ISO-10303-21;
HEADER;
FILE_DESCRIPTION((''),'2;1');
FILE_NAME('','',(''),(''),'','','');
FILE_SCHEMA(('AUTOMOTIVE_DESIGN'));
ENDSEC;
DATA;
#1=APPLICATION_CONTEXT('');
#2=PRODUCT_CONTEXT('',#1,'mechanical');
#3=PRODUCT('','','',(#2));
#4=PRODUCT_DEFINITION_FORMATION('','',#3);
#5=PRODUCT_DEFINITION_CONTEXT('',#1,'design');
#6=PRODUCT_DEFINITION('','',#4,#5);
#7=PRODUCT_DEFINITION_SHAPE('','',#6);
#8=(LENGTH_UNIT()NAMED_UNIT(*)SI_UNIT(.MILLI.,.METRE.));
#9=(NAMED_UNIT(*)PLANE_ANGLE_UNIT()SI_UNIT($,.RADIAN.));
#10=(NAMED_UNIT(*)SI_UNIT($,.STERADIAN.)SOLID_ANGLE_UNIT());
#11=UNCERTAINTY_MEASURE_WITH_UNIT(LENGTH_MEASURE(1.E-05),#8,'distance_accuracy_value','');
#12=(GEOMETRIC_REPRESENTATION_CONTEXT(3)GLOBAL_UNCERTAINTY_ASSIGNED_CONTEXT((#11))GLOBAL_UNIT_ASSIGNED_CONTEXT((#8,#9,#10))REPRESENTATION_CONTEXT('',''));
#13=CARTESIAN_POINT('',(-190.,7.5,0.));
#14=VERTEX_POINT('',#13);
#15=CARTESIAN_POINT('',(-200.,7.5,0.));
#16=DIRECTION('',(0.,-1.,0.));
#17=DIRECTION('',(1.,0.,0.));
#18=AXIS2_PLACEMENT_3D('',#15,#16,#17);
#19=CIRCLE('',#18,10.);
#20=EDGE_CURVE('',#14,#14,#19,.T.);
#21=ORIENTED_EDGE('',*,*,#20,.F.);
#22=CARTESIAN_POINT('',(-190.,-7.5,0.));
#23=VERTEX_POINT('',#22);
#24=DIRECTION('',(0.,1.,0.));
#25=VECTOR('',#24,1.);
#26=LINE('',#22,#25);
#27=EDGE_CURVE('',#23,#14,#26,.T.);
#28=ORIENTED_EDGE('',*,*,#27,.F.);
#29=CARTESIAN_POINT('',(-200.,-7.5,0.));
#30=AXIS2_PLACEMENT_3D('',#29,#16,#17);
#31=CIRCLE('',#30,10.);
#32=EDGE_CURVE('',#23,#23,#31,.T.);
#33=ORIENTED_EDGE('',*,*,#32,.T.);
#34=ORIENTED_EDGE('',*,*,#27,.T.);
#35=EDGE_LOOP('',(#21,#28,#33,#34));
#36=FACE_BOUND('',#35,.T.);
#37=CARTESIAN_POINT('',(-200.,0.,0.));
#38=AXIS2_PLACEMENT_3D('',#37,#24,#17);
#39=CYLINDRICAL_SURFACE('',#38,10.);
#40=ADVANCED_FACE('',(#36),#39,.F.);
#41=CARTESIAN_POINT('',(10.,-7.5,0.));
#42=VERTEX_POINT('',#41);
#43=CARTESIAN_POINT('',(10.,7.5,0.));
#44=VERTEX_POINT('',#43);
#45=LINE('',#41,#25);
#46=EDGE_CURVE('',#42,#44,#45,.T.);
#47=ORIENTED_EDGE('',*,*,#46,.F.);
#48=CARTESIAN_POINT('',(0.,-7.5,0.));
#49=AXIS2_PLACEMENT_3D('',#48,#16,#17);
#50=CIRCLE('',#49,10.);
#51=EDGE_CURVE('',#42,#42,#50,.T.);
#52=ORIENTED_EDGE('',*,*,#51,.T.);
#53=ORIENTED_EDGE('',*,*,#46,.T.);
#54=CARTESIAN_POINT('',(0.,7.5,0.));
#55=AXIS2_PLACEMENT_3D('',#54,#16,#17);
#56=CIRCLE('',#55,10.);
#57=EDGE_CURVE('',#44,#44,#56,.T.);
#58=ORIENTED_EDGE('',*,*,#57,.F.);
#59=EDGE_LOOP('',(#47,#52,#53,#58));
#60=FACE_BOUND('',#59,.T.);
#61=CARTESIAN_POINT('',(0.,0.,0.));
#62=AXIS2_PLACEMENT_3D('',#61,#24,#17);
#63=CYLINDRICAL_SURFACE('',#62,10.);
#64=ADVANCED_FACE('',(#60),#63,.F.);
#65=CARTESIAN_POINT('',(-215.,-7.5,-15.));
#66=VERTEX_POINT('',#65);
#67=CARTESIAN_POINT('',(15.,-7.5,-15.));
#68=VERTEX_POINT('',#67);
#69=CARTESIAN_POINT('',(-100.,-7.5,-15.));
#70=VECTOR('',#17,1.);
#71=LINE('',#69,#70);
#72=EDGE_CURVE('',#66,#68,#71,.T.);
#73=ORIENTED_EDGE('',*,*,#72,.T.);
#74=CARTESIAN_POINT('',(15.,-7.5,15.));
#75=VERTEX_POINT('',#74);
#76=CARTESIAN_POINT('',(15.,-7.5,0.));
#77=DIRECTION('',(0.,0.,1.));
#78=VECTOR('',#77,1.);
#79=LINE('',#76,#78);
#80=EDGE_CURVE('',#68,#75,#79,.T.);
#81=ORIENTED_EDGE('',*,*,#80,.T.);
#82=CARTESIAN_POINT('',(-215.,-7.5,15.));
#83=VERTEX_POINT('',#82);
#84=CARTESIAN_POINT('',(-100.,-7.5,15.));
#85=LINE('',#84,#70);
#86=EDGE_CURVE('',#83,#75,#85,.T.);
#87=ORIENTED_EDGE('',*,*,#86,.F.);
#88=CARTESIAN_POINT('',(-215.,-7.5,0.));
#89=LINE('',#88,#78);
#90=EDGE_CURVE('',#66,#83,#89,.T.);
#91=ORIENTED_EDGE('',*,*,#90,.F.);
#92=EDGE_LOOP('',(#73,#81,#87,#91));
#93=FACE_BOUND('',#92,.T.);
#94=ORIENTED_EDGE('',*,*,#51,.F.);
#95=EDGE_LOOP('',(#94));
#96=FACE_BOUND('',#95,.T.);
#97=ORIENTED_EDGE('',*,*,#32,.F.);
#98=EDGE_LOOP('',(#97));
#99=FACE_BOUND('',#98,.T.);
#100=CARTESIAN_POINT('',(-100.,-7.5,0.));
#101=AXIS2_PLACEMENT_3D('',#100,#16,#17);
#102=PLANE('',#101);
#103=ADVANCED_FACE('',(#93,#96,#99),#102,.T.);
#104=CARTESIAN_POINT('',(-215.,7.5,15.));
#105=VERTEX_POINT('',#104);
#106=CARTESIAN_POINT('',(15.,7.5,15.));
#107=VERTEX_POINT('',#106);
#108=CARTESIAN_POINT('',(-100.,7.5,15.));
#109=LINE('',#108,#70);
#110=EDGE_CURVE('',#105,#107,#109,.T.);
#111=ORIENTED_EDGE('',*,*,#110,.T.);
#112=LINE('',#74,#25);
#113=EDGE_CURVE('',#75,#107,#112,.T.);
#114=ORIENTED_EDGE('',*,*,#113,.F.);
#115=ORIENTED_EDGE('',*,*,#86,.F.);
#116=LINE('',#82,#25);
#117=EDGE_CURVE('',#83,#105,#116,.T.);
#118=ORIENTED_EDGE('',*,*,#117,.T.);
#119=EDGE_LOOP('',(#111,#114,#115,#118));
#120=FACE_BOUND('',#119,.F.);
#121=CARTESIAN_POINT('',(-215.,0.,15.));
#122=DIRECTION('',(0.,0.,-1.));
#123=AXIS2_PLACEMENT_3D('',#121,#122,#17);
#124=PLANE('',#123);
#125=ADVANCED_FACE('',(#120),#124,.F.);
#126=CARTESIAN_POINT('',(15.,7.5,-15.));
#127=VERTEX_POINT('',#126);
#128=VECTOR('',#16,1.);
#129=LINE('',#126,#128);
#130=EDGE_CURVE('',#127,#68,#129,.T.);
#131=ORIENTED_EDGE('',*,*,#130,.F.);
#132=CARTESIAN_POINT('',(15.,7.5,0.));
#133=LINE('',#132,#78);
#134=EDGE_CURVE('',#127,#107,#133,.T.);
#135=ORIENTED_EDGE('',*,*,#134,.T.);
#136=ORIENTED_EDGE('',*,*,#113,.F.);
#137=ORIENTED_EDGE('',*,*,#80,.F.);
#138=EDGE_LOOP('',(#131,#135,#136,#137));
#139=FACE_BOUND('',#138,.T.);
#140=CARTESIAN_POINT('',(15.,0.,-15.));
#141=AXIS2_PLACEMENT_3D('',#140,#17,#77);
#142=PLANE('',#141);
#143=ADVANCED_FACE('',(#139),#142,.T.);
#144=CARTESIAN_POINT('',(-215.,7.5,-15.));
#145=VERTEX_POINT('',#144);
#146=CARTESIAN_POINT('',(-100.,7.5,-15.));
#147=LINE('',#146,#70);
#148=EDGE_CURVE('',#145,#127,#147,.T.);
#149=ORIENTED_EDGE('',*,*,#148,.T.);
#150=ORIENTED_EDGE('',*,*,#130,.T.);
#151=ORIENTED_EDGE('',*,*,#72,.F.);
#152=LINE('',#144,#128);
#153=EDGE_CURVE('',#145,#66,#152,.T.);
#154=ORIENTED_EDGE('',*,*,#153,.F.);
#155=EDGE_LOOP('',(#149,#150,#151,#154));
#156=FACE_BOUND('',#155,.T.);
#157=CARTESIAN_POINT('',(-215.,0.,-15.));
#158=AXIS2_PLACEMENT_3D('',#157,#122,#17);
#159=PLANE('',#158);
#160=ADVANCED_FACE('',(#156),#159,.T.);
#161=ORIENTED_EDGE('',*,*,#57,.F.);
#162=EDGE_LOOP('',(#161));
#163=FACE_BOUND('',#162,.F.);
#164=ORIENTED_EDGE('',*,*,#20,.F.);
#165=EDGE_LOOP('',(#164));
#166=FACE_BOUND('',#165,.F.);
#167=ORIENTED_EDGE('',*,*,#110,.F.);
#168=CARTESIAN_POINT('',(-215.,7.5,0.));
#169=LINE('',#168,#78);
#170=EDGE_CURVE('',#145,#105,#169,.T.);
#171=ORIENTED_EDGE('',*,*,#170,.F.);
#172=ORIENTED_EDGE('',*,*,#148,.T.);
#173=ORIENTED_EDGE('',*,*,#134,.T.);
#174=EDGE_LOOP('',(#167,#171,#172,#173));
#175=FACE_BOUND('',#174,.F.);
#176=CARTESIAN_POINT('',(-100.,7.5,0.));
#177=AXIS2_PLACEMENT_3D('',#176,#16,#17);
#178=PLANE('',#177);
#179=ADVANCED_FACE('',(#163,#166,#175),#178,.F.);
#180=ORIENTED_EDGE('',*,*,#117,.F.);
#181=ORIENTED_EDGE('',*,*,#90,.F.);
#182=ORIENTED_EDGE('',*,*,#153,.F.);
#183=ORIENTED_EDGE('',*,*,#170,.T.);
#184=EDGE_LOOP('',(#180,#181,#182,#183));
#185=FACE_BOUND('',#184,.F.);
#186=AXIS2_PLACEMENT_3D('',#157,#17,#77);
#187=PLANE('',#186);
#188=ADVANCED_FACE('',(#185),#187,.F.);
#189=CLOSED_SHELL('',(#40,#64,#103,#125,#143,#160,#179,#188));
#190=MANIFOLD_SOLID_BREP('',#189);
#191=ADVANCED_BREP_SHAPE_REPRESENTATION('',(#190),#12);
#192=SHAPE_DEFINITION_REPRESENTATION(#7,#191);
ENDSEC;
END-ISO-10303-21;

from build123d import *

# Parameters (mm, degrees)
F0_W     = 230
F0_H     = 30
F0_R     = 10
F1_DEPTH = 7.5


with BuildPart() as f1:
    # F0 (on Front) → F1 (new body, symmetric)
    with BuildSketch(Plane.XZ):
        with Locations((-100, 0)):
            Rectangle(F0_W, F0_H)
        with Locations((-200, 0)):
            Circle(F0_R, mode=Mode.SUBTRACT)
        Circle(F0_R, mode=Mode.SUBTRACT)
    extrude(amount=F1_DEPTH, both=True)


solid = f1.part
